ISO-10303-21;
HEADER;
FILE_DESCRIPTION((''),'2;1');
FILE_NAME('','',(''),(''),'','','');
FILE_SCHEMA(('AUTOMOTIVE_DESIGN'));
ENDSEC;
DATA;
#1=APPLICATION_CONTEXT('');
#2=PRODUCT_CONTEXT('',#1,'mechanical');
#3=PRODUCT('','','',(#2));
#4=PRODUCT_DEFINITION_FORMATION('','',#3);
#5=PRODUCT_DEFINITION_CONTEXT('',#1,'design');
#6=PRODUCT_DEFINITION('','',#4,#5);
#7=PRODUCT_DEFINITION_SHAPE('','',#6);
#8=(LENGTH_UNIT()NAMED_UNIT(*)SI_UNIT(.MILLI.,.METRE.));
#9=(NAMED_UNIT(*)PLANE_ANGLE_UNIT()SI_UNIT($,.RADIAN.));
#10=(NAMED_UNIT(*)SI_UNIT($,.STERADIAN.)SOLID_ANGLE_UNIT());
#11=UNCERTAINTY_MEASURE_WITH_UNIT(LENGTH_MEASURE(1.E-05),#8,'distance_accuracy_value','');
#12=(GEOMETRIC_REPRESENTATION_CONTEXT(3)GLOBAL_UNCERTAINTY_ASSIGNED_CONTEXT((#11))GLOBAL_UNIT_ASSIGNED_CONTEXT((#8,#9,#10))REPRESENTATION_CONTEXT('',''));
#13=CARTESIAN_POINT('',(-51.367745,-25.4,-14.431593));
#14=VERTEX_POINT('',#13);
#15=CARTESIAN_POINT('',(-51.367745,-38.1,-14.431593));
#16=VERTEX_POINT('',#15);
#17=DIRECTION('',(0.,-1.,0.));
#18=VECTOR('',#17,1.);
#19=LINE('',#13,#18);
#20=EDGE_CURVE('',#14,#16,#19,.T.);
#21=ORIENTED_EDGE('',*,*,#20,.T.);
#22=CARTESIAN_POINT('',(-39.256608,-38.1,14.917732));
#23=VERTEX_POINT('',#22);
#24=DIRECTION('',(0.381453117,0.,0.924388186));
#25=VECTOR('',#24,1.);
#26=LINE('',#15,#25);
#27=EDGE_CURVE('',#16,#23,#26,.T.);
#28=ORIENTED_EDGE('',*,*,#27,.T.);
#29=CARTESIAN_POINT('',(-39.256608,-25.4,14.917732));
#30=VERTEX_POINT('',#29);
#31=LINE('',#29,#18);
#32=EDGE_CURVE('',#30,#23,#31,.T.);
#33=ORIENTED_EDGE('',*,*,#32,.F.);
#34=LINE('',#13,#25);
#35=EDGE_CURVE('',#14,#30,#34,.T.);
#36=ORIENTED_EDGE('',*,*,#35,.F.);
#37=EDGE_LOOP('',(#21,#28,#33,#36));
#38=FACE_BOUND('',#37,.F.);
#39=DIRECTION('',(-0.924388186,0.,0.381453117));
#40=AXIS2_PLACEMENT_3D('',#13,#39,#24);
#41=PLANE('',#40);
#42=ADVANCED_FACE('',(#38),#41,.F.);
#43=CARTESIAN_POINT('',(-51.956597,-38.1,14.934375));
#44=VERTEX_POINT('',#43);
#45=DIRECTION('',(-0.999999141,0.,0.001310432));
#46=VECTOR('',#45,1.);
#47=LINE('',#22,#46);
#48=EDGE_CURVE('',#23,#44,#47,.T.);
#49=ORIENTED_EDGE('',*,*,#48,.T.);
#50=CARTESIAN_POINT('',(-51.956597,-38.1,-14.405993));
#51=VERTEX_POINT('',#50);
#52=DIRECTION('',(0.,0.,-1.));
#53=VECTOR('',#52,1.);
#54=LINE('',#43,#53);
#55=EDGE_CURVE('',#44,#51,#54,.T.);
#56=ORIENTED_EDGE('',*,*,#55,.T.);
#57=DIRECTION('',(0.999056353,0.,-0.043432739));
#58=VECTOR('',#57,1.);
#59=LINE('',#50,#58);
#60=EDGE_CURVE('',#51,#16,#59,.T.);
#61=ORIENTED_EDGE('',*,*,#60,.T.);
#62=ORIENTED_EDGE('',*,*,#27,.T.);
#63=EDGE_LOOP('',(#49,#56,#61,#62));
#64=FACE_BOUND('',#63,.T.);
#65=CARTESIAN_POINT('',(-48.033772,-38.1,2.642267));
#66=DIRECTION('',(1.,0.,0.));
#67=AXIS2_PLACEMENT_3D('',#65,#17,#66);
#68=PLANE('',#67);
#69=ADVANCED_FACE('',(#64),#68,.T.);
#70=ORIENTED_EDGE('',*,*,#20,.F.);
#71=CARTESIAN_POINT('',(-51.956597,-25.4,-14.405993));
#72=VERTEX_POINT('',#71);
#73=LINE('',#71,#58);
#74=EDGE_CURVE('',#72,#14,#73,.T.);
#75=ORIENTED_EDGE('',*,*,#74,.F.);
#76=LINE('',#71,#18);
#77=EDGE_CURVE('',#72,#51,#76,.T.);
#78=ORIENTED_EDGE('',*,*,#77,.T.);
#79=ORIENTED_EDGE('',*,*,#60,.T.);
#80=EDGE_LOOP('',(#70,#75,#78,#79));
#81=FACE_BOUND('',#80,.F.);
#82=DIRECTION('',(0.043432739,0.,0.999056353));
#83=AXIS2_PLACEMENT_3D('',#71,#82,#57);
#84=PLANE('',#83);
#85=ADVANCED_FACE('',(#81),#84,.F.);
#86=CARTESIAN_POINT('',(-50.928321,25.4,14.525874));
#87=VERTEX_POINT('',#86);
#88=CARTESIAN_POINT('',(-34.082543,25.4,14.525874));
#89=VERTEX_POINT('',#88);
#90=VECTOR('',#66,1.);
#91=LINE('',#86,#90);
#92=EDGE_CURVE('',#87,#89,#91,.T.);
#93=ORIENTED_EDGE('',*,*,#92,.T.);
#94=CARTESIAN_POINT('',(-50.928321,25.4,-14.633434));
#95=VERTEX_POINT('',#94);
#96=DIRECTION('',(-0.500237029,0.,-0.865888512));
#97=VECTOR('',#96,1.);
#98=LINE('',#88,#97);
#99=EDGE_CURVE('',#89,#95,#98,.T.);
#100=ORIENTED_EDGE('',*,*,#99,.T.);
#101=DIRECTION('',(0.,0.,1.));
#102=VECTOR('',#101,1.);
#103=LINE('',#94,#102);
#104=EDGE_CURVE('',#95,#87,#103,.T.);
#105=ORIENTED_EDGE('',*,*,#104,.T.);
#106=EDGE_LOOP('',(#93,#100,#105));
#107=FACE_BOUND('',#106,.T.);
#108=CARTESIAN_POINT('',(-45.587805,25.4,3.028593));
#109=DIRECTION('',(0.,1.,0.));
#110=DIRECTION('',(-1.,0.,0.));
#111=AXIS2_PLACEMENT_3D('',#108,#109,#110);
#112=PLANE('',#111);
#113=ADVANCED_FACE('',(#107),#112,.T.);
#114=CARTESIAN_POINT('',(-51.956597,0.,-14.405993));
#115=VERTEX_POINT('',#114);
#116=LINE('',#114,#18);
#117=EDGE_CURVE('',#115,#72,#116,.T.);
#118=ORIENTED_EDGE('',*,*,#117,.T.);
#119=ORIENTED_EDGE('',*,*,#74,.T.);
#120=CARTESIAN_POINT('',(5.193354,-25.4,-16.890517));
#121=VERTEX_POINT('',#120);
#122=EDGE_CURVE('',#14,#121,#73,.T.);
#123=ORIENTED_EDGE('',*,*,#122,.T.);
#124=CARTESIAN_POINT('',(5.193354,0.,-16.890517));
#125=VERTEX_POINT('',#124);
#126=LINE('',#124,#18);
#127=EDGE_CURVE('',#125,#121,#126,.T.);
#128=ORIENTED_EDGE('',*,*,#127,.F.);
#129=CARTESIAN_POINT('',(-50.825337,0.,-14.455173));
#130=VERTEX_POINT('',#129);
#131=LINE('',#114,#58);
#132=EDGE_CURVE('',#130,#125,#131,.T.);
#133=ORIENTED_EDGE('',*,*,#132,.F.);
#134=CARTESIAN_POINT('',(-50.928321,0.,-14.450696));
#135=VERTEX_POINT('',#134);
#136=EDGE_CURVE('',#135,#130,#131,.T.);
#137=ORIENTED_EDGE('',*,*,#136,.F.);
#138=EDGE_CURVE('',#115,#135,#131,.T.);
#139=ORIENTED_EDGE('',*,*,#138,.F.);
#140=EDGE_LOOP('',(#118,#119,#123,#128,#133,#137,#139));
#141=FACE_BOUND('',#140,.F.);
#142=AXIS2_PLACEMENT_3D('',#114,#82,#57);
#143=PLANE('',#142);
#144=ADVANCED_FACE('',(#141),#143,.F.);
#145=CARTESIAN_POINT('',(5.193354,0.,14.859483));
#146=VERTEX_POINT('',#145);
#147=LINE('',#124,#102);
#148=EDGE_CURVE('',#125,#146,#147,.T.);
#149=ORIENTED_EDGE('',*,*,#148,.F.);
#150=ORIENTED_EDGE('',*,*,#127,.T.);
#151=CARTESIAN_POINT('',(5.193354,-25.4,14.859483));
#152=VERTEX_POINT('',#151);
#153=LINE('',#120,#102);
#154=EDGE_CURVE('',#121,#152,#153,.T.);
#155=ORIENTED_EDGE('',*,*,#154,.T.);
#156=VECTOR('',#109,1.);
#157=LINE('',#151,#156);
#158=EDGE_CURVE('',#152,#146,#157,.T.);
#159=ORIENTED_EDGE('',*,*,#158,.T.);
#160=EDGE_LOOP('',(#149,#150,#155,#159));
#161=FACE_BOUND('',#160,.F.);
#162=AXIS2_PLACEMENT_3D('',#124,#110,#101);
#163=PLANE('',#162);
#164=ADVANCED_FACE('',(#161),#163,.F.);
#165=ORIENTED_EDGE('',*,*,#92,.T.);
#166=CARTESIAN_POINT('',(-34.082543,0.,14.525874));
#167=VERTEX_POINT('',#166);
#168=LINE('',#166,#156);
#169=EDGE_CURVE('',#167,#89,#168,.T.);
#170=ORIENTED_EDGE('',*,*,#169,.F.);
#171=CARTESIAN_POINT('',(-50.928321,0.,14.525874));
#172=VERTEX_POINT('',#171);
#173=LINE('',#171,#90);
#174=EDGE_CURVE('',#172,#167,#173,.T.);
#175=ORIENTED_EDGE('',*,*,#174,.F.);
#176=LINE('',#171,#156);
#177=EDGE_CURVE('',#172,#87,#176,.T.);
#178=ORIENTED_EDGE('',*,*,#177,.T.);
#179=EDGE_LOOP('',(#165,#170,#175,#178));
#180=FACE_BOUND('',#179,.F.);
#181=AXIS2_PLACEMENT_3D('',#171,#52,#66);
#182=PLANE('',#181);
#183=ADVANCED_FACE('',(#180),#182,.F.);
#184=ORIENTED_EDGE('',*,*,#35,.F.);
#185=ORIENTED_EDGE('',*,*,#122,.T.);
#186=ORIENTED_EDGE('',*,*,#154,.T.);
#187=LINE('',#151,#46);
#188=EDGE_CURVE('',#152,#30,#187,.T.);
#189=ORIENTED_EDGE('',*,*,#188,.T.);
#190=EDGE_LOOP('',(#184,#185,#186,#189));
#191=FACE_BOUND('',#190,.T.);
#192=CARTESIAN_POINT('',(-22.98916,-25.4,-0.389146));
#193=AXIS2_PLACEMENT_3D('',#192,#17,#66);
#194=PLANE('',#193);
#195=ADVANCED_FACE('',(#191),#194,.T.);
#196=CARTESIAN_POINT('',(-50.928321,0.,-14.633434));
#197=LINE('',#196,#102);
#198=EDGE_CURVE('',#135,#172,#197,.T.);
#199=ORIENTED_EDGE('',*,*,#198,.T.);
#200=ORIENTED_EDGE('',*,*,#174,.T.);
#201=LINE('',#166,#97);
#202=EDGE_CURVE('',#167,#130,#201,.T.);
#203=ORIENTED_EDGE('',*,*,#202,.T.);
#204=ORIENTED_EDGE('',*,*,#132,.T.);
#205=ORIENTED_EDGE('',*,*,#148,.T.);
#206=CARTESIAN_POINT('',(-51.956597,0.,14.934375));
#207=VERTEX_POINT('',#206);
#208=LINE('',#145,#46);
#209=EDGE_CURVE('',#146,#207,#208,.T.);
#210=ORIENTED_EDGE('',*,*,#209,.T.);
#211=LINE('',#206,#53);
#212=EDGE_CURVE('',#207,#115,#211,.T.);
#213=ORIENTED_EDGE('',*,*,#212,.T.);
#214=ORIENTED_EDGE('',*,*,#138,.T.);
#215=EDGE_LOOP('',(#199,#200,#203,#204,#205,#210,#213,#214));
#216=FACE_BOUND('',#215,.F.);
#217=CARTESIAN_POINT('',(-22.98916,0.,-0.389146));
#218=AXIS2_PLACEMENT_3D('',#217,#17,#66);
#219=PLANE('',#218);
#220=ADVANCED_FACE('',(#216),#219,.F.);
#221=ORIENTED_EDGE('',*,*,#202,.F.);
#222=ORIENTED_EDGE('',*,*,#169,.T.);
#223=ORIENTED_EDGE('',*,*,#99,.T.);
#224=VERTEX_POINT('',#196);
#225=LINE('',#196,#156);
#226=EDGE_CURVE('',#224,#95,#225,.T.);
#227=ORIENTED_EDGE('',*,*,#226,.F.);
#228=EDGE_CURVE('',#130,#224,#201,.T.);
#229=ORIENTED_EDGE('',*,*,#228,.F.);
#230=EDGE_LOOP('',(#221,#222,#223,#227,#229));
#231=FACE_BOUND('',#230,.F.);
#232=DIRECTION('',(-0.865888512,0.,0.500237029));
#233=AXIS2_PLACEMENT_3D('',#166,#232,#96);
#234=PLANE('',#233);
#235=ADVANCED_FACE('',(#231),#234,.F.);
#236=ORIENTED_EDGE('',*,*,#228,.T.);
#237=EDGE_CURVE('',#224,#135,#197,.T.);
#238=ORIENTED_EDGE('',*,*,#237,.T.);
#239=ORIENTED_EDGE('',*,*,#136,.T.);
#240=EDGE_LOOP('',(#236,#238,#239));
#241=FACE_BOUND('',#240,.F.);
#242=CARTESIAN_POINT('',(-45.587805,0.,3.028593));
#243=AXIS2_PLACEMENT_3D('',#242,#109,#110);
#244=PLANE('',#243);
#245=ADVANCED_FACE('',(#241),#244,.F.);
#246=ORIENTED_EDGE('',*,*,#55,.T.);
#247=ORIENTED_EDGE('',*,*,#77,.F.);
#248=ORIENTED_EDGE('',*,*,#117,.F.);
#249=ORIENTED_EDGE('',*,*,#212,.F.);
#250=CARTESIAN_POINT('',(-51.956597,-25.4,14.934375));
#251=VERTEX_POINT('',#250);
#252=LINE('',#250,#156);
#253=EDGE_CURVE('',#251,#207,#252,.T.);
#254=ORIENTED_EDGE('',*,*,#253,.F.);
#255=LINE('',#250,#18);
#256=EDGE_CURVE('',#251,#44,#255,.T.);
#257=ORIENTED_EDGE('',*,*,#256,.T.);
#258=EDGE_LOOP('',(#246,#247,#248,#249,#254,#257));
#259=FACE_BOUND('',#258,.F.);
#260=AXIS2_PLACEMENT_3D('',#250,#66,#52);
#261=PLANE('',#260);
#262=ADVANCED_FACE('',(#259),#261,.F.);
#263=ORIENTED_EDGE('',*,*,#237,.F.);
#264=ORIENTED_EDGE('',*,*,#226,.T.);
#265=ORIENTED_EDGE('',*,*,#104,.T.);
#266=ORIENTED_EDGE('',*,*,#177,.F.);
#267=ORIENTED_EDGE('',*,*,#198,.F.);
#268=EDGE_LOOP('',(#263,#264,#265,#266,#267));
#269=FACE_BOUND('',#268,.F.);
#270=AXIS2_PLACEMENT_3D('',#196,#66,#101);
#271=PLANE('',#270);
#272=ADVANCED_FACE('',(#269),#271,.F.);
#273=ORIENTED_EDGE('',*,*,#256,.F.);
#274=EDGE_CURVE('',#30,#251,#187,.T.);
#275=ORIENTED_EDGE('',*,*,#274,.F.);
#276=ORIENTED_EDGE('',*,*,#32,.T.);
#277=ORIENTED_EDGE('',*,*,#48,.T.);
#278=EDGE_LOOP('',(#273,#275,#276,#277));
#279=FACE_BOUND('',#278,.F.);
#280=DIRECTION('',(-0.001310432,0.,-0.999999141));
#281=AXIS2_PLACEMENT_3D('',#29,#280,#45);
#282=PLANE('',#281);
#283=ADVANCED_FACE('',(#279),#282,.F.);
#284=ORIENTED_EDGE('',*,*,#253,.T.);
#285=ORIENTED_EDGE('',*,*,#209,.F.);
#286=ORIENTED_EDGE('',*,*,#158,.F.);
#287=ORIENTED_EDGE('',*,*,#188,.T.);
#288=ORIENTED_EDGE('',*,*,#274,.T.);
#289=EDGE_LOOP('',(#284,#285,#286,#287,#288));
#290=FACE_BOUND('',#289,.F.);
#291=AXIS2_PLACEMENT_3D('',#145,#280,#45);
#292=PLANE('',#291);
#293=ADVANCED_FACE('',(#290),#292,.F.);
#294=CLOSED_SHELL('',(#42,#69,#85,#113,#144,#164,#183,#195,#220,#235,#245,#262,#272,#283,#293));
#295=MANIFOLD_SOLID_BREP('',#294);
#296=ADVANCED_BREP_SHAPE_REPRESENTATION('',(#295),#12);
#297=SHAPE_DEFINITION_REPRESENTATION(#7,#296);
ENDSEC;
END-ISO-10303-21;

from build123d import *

# Parameters (mm, degrees)
F2_DEPTH = 25.4
F4_DEPTH = 12.7
F7_DEPTH = 25.4


with BuildPart() as f2:
    # F1 (on Front) → F2 (new body)
    with BuildSketch(Plane.XZ):
        Polygon((5.1933536553, 14.8594833362), (-51.9565972747, 14.9343745474), (-51.9565972747, -14.4059932236), (5.1933536553, -16.8905166638), align=None)
    extrude(amount=F2_DEPTH)

    # F3 (on face) + F2_face1 (on face) → F4 (join)
    with BuildSketch(Plane.XZ.offset(25.4)):
        Polygon((-51.3677446578, -14.4315928628), (-39.2566081791, 14.917732056), (-51.9565972747, 14.9343745474), (-51.9565972747, -14.4059932236), align=None)
    with BuildSketch(Plane(origin=(-23.0059205639, 0, -0.3840757402), x_dir=(1, 0, 0), z_dir=(0, 1, 0))):
        Polygon((28.1992742193, -15.2435590764), (28.1992742193, 16.5064409236), (-28.9506767108, 14.0219174834), (-28.9506767108, -15.3184502876), align=None)
    extrude(amount=F4_DEPTH, dir=(0, -1, 0))

    # F6 (on face) → F7 (join)
    with BuildSketch(Plane(origin=(0, 0, 0), x_dir=(-1, 0, 0), z_dir=(0, 1, 0))):
        Polygon((34.0825431049, 14.5258735865), (50.9283207357, -14.6334338933), (50.9283207357, 14.5258735865), align=None)
    extrude(amount=F7_DEPTH)


solid = f2.part
